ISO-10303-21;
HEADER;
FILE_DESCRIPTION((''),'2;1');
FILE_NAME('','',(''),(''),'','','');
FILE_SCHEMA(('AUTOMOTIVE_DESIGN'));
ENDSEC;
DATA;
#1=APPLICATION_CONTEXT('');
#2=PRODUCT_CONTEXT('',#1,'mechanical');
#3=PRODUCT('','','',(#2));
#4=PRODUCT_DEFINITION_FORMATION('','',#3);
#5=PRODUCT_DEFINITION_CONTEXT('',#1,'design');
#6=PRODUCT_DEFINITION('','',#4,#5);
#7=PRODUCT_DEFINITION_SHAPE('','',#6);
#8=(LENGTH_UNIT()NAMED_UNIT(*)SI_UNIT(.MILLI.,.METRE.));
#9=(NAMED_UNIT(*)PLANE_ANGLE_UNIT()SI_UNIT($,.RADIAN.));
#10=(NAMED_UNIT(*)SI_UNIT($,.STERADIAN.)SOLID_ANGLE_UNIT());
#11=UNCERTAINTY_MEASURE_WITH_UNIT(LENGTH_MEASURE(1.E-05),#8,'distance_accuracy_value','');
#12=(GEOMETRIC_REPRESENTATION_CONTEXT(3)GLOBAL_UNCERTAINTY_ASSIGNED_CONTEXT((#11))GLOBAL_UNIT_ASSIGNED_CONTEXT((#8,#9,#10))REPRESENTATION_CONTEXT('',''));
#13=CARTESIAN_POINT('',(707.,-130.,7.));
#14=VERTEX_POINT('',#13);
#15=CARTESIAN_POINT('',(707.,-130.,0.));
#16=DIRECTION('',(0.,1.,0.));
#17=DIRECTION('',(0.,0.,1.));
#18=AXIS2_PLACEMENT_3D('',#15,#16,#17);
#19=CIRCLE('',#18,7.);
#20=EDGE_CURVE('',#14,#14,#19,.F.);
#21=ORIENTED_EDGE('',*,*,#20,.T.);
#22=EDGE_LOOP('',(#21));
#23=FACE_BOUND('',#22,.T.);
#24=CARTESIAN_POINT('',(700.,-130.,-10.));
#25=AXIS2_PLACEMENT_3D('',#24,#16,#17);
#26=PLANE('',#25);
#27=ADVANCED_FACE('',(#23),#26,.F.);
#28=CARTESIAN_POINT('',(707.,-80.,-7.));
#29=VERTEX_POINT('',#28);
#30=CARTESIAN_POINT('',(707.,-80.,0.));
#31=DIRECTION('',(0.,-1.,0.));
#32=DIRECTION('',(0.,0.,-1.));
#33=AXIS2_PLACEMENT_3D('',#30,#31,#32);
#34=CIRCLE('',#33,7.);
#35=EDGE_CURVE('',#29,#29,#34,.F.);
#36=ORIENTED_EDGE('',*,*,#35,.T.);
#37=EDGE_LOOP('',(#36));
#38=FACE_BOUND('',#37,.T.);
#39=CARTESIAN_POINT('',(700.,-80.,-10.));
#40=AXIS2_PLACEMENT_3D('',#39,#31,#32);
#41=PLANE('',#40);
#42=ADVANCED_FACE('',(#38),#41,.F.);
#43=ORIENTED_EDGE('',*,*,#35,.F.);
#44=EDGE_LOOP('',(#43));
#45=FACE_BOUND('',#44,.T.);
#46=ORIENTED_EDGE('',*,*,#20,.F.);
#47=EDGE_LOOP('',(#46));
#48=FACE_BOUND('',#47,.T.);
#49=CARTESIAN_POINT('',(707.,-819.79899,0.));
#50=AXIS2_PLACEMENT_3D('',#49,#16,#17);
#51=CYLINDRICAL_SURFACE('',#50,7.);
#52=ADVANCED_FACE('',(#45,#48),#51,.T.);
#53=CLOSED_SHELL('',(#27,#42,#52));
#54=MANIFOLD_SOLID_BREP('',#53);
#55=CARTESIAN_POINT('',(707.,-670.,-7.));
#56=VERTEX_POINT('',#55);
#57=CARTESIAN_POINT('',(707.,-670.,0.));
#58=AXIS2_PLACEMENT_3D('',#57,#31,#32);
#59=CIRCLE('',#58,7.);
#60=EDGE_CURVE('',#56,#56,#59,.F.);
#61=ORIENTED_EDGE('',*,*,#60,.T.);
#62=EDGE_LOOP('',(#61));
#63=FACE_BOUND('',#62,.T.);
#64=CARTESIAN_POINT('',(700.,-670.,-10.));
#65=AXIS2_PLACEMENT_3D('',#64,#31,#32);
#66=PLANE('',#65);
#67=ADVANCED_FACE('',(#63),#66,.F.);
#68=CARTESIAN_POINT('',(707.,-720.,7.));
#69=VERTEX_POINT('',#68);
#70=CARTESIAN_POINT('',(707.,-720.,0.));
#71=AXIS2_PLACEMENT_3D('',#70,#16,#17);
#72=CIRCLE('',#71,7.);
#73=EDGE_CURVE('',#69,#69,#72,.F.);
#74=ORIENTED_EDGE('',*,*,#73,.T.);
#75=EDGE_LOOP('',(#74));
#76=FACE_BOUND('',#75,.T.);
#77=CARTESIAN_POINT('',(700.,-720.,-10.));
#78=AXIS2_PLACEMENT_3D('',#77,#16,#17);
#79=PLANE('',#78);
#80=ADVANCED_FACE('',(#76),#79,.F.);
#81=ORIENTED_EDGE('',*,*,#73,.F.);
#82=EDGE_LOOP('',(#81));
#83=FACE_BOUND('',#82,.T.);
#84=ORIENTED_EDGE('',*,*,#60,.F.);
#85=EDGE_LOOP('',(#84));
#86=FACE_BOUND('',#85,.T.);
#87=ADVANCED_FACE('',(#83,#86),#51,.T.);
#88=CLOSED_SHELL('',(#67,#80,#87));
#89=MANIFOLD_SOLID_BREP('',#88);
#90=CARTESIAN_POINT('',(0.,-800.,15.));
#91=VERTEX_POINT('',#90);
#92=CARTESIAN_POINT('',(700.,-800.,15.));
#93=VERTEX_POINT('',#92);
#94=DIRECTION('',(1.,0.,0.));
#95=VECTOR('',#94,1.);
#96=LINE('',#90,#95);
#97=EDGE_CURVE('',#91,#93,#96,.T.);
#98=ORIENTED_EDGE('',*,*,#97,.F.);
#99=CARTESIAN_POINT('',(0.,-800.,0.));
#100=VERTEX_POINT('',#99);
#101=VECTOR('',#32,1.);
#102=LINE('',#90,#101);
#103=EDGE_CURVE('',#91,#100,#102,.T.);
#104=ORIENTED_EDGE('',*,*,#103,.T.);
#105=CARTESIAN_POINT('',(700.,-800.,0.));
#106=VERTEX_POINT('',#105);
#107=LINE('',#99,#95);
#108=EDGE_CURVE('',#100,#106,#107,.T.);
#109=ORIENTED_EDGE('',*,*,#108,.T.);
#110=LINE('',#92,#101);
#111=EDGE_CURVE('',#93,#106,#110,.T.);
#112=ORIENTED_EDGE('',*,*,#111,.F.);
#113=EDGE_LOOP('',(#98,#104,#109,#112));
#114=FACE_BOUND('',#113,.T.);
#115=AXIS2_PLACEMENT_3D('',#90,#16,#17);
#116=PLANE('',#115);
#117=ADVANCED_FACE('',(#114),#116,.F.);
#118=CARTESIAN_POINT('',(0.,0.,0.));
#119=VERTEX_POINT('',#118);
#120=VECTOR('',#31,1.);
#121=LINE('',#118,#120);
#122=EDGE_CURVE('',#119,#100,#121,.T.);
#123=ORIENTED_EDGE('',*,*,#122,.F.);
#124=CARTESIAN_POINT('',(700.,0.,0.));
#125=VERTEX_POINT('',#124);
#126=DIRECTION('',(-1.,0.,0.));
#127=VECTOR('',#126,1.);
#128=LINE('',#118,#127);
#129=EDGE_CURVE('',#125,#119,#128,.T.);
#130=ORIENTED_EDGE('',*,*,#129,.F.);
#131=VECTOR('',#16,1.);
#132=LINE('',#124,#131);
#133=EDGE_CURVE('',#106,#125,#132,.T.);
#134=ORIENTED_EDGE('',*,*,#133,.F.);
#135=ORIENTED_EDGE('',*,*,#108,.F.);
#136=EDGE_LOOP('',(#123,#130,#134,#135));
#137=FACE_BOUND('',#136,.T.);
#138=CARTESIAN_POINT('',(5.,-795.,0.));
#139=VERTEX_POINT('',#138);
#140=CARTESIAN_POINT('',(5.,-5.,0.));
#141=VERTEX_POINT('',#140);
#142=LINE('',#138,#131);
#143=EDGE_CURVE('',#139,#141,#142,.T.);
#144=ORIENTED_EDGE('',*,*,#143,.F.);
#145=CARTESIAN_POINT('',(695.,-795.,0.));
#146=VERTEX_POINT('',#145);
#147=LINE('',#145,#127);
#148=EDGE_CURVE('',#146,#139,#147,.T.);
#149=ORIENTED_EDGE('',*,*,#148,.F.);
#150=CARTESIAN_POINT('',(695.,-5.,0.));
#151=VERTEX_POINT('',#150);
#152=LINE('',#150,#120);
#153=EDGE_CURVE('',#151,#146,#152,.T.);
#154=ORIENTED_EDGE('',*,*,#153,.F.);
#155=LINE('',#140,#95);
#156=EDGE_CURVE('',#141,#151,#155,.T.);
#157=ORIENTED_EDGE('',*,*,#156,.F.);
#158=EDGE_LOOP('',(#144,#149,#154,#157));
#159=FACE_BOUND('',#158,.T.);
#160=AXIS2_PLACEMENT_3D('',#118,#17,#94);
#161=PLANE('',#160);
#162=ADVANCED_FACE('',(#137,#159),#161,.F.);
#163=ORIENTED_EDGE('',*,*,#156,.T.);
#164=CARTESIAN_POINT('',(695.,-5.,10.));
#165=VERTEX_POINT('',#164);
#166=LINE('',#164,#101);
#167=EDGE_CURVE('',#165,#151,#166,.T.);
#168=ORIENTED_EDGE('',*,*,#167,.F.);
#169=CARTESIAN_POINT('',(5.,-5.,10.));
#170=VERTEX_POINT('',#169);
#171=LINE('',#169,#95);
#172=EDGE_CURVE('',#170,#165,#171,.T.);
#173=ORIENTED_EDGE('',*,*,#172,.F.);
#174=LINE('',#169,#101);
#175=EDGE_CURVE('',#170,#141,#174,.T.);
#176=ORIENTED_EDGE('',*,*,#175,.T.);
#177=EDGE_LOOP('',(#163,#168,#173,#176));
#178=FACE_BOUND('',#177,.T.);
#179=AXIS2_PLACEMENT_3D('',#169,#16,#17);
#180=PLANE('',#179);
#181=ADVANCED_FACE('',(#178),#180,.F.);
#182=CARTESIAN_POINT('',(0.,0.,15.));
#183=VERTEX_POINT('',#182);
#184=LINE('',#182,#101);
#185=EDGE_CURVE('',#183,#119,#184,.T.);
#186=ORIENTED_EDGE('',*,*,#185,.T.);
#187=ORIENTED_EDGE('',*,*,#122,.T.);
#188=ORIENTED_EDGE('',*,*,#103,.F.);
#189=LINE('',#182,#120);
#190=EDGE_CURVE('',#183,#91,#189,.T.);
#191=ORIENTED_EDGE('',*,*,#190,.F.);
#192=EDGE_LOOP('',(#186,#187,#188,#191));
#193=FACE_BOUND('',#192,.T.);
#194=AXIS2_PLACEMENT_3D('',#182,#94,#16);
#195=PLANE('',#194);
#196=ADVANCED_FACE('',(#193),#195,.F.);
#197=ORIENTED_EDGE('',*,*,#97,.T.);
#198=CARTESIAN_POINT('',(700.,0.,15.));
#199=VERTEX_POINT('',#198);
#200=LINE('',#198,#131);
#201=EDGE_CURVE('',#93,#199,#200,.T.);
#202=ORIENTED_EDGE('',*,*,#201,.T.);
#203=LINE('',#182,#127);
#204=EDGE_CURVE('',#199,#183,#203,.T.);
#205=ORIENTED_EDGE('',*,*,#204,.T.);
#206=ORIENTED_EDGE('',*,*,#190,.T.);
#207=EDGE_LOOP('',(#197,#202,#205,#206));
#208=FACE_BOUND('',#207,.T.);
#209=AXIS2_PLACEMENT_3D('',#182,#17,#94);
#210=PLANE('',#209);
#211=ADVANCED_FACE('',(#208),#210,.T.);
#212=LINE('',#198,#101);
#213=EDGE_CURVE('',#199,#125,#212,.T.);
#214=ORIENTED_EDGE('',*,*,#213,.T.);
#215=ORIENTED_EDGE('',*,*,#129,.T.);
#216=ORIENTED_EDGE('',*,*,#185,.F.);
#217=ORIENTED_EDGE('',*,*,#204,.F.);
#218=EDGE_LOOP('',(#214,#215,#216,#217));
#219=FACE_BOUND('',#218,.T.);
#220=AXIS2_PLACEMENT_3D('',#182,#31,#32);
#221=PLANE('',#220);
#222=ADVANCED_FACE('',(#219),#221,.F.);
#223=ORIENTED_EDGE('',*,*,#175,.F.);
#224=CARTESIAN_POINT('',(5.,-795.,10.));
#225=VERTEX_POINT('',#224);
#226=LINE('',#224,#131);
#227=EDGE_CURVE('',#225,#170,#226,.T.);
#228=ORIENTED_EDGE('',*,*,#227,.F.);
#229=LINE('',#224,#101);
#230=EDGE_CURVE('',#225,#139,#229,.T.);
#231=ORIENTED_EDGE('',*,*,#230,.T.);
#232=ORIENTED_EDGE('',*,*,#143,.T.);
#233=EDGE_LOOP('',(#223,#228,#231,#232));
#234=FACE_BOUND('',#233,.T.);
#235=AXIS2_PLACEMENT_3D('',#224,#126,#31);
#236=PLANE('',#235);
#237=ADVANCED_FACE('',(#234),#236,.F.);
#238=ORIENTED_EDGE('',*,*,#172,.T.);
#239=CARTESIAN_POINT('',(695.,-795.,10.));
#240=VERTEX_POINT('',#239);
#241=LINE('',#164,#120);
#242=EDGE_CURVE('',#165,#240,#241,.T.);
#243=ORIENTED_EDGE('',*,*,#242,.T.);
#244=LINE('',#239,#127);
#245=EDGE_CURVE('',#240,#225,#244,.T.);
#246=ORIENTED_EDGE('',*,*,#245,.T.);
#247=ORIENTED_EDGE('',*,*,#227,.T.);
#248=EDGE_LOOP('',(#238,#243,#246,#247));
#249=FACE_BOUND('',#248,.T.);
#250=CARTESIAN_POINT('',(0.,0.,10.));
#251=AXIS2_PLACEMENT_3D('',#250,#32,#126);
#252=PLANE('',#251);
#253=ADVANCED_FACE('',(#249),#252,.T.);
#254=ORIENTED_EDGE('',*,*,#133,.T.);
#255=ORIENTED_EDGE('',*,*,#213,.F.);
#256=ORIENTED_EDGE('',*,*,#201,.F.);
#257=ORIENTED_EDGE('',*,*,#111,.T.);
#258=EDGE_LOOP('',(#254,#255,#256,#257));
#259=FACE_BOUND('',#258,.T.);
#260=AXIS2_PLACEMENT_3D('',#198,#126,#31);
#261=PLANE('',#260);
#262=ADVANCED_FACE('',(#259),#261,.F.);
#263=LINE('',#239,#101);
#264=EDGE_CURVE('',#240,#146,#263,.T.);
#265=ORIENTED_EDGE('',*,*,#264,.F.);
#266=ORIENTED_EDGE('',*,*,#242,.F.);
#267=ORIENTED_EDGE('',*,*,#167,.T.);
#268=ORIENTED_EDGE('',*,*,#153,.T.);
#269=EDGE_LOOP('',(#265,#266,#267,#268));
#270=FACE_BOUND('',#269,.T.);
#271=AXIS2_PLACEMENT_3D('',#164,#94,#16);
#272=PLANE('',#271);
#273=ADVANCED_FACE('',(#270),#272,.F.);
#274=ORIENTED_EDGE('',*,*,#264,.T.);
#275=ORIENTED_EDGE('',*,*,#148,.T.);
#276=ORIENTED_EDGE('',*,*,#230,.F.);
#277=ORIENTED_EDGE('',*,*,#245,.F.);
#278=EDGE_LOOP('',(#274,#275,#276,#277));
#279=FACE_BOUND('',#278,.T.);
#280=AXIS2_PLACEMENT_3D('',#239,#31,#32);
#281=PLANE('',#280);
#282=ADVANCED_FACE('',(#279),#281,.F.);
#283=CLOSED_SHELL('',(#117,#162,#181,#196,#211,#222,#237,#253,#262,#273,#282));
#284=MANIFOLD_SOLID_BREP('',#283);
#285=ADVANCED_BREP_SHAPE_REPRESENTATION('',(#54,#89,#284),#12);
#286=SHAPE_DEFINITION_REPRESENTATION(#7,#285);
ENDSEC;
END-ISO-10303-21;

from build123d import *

# Parameters (mm, degrees)
CROQUIS1_W              = 700
CROQUIS1_H              = 800
SALIENTE_EXTRUIR1_DEPTH = 15
CROQUIS2_W              = 690
CROQUIS2_H              = 790
CORTAR_EXTRUIR1_DEPTH   = 10
CROQUIS4_R              = 7
SALIENTE_EXTRUIR2_DEPTH = 800
CROQUIS5_W              = 52.334902761
CROQUIS5_H              = 80
CROQUIS5_H_2            = 540
CORTAR_EXTRUIR2_DEPTH   = 25


with BuildPart() as part:
    # Croquis1 → Saliente-Extruir1 (new body)
    with BuildSketch(Plane.XY):
        with Locations((350, -400)):
            Rectangle(CROQUIS1_W, CROQUIS1_H)
    extrude(amount=SALIENTE_EXTRUIR1_DEPTH)

    # Croquis2 → Cortar-Extruir1 (cut)
    with BuildSketch(Plane(origin=(0, 0, 0), x_dir=(-1, 0, 0), z_dir=(0, 0, -1))):
        with Locations((-350, -400)):
            Rectangle(CROQUIS2_W, CROQUIS2_H)
    extrude(amount=-CORTAR_EXTRUIR1_DEPTH, mode=Mode.SUBTRACT)


with BuildPart() as body_2:
    # Croquis4 → Saliente-Extruir2 (new body)
    with BuildSketch(Plane(origin=(0, 0, 0), x_dir=(1, 0, 0), z_dir=(0, 1, 0))):
        with Locations((707, 0)):
            Circle(CROQUIS4_R)
    extrude(amount=-SALIENTE_EXTRUIR2_DEPTH)

    # Croquis5 → Cortar-Extruir2 (cut)
    with BuildSketch(Plane.XY.offset(15)):
        with Locations((726.167451381, -40)):
            Rectangle(CROQUIS5_W, CROQUIS5_H)
        with Locations((726.167451381, -760)):
            Rectangle(CROQUIS5_W, CROQUIS5_H)
        with Locations((726.167451381, -400)):
            Rectangle(CROQUIS5_W, CROQUIS5_H_2)
    extrude(amount=-CORTAR_EXTRUIR2_DEPTH, mode=Mode.SUBTRACT)


solid = Compound([part.part, body_2.part])
